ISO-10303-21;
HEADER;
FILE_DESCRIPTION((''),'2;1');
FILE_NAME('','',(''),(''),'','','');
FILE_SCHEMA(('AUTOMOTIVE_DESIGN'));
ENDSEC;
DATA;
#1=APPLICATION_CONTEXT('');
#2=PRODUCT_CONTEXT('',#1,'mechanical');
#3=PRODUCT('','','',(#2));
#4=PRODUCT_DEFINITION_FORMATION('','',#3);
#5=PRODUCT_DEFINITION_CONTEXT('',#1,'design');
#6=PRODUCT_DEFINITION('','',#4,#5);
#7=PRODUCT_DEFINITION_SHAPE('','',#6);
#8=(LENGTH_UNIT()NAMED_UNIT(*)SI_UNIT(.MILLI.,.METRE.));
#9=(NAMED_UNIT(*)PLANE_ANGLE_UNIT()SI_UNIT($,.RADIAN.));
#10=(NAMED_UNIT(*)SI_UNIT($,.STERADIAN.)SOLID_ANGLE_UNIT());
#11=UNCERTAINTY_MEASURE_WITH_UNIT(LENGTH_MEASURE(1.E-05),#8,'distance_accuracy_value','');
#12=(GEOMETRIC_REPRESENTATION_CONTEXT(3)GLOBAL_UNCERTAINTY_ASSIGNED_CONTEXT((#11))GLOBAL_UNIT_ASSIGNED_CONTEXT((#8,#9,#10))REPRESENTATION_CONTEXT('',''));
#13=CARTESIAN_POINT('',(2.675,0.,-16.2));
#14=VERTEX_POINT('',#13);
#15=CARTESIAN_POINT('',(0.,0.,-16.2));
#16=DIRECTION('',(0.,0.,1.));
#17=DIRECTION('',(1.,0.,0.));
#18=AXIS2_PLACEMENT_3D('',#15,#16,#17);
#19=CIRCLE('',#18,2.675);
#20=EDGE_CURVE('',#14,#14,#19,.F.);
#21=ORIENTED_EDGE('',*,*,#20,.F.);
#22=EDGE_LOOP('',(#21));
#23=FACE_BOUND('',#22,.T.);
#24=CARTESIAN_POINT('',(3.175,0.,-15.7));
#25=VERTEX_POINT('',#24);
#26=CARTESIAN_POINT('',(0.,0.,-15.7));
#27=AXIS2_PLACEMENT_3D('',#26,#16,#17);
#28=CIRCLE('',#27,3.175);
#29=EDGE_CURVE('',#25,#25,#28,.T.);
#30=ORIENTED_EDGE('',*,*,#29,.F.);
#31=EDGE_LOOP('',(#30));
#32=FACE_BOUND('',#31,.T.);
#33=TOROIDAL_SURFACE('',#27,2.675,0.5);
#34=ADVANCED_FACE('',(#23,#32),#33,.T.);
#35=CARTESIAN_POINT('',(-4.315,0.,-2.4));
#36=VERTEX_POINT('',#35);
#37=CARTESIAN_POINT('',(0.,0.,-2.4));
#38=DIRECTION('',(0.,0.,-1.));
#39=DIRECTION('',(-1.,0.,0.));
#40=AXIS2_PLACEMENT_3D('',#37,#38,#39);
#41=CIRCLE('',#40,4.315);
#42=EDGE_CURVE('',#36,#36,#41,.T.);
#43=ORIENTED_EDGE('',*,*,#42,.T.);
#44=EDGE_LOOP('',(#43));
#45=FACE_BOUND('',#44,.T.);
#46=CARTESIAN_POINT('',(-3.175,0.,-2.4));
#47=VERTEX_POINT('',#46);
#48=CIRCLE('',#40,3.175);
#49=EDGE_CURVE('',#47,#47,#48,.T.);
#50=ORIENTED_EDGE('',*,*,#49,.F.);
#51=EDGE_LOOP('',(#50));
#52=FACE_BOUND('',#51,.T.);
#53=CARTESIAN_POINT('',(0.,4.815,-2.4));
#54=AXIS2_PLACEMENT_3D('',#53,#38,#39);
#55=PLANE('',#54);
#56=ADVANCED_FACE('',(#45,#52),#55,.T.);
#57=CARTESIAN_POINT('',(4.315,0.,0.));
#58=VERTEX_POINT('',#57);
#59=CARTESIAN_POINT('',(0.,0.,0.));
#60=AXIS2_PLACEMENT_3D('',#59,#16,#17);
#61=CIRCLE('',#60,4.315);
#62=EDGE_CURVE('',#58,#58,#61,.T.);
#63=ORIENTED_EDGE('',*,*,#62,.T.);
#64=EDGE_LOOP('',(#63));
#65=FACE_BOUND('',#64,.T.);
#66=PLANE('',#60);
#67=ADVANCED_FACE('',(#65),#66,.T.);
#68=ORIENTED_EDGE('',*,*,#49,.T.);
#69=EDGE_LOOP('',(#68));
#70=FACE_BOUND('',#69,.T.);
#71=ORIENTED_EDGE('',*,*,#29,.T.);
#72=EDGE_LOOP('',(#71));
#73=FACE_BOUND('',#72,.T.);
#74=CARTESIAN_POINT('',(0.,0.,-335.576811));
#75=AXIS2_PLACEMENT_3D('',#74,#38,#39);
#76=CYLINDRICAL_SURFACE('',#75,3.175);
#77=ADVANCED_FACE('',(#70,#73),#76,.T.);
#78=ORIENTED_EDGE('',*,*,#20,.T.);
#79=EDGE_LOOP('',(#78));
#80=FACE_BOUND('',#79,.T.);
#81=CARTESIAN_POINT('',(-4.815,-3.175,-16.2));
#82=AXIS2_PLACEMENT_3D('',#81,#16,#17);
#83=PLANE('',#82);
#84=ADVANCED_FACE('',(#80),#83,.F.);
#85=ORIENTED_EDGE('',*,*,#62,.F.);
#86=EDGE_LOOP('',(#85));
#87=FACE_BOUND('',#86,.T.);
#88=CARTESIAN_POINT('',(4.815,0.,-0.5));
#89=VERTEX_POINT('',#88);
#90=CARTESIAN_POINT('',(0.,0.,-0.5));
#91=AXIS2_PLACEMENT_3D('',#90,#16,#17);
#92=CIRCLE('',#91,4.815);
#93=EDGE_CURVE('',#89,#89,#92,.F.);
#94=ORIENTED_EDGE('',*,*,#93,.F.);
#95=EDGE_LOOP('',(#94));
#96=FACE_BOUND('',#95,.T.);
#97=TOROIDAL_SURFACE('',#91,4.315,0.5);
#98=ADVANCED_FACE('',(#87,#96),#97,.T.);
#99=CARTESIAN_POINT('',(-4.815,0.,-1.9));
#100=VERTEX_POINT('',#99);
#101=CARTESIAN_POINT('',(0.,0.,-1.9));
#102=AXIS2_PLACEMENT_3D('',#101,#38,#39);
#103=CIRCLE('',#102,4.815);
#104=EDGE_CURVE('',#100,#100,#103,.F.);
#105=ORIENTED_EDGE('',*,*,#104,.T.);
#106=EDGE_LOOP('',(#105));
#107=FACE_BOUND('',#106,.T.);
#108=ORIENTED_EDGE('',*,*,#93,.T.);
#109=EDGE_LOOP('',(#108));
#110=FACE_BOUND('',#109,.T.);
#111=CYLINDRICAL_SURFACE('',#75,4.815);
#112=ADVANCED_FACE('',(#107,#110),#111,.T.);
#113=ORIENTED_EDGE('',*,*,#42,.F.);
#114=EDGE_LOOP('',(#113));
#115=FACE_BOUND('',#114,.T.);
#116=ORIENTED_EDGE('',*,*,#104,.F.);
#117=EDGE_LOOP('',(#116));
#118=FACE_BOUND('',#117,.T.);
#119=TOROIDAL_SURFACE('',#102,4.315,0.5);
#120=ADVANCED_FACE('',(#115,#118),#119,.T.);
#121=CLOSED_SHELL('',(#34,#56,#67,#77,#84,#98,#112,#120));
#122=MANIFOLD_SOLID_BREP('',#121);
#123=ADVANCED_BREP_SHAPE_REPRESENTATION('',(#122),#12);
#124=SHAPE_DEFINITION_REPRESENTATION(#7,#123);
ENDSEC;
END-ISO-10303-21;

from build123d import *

# Parameters (mm, degrees)
CUT_EXTRUDE1_DEPTH      = 54.63402325
CUT_EXTRUDE1_DEPTH_BACK = 54.63402325
SKETCH2_R               = 1.3
F7F_R                   = 0.5
CUT_EXTRUDE2_DEPTH      = 54.634023349
CUT_EXTRUDE2_DEPTH_BACK = 54.634023349
SKETCH3_W               = 6.35
SKETCH3_H               = 37
FILLET1_R               = 0.5


with BuildPart() as part:
    # Sketch1 → Revolve1 (revolve)
    with BuildSketch(Plane.YZ, mode=Mode.PRIVATE) as revolve1_sk:
        Polygon((0, 0), (4.815, 0), (4.815, -2.4), (3.175, -2.4), (3.175, -53.2), (0, -53.2), align=None)
    revolve(revolve1_sk.sketch.rotate(Axis((0, 0, -335.576810525), (0, 0, 1)), 90), axis=Axis((0, 0, -335.576810525), (0, 0, 1)))

    # Sketch2 → Cut-Extrude1 (cut, two sides: drawn at the far end of the back side and taken through both)
    with BuildSketch(Plane.YZ.offset(-CUT_EXTRUDE1_DEPTH_BACK)):
        with Locations(Location((0, -47.7, 0), (0, 0, 270.000000002))):
            Circle(SKETCH2_R)
        with Locations(Location((0, -42.1, 0), (0, 0, 270.000000002))):
            Circle(SKETCH2_R)
        with Locations(Location((0, -25.3, 0), (0, 0, 270.000000002))):
            Circle(SKETCH2_R)
        with Locations(Location((0, -30.9, 0), (0, 0, 270.000000002))):
            Circle(SKETCH2_R)
        with Locations(Location((0, -36.5, 0), (0, 0, 270.000000002))):
            Circle(SKETCH2_R)
        with Locations(Location((0, -19.7, 0), (0, 0, 270.000000002))):
            Circle(SKETCH2_R)
    extrude(amount=CUT_EXTRUDE1_DEPTH + CUT_EXTRUDE1_DEPTH_BACK, mode=Mode.SUBTRACT)

    # f7f
    f7f_edges = [part.edges().sort_by_distance(p)[0] for p in [
        (4.815, 0, -2.4),
        (4.815, 0, 0),
    ]]
    fillet(f7f_edges, radius=F7F_R)

    # Sketch3 → Cut-Extrude2 (cut, two sides: drawn at the far end of the back side and taken through both)
    with BuildSketch(Plane.YZ.offset(-CUT_EXTRUDE2_DEPTH_BACK)):
        with Locations((0, -34.7)):
            Rectangle(SKETCH3_W, SKETCH3_H)
    extrude(amount=CUT_EXTRUDE2_DEPTH + CUT_EXTRUDE2_DEPTH_BACK, mode=Mode.SUBTRACT)

    # Fillet1
    fillet1_edges = [part.edges().sort_by_distance(p)[0] for p in [
        (3.175, 0, -16.2),
    ]]
    fillet(fillet1_edges, radius=FILLET1_R)


solid = part.part
